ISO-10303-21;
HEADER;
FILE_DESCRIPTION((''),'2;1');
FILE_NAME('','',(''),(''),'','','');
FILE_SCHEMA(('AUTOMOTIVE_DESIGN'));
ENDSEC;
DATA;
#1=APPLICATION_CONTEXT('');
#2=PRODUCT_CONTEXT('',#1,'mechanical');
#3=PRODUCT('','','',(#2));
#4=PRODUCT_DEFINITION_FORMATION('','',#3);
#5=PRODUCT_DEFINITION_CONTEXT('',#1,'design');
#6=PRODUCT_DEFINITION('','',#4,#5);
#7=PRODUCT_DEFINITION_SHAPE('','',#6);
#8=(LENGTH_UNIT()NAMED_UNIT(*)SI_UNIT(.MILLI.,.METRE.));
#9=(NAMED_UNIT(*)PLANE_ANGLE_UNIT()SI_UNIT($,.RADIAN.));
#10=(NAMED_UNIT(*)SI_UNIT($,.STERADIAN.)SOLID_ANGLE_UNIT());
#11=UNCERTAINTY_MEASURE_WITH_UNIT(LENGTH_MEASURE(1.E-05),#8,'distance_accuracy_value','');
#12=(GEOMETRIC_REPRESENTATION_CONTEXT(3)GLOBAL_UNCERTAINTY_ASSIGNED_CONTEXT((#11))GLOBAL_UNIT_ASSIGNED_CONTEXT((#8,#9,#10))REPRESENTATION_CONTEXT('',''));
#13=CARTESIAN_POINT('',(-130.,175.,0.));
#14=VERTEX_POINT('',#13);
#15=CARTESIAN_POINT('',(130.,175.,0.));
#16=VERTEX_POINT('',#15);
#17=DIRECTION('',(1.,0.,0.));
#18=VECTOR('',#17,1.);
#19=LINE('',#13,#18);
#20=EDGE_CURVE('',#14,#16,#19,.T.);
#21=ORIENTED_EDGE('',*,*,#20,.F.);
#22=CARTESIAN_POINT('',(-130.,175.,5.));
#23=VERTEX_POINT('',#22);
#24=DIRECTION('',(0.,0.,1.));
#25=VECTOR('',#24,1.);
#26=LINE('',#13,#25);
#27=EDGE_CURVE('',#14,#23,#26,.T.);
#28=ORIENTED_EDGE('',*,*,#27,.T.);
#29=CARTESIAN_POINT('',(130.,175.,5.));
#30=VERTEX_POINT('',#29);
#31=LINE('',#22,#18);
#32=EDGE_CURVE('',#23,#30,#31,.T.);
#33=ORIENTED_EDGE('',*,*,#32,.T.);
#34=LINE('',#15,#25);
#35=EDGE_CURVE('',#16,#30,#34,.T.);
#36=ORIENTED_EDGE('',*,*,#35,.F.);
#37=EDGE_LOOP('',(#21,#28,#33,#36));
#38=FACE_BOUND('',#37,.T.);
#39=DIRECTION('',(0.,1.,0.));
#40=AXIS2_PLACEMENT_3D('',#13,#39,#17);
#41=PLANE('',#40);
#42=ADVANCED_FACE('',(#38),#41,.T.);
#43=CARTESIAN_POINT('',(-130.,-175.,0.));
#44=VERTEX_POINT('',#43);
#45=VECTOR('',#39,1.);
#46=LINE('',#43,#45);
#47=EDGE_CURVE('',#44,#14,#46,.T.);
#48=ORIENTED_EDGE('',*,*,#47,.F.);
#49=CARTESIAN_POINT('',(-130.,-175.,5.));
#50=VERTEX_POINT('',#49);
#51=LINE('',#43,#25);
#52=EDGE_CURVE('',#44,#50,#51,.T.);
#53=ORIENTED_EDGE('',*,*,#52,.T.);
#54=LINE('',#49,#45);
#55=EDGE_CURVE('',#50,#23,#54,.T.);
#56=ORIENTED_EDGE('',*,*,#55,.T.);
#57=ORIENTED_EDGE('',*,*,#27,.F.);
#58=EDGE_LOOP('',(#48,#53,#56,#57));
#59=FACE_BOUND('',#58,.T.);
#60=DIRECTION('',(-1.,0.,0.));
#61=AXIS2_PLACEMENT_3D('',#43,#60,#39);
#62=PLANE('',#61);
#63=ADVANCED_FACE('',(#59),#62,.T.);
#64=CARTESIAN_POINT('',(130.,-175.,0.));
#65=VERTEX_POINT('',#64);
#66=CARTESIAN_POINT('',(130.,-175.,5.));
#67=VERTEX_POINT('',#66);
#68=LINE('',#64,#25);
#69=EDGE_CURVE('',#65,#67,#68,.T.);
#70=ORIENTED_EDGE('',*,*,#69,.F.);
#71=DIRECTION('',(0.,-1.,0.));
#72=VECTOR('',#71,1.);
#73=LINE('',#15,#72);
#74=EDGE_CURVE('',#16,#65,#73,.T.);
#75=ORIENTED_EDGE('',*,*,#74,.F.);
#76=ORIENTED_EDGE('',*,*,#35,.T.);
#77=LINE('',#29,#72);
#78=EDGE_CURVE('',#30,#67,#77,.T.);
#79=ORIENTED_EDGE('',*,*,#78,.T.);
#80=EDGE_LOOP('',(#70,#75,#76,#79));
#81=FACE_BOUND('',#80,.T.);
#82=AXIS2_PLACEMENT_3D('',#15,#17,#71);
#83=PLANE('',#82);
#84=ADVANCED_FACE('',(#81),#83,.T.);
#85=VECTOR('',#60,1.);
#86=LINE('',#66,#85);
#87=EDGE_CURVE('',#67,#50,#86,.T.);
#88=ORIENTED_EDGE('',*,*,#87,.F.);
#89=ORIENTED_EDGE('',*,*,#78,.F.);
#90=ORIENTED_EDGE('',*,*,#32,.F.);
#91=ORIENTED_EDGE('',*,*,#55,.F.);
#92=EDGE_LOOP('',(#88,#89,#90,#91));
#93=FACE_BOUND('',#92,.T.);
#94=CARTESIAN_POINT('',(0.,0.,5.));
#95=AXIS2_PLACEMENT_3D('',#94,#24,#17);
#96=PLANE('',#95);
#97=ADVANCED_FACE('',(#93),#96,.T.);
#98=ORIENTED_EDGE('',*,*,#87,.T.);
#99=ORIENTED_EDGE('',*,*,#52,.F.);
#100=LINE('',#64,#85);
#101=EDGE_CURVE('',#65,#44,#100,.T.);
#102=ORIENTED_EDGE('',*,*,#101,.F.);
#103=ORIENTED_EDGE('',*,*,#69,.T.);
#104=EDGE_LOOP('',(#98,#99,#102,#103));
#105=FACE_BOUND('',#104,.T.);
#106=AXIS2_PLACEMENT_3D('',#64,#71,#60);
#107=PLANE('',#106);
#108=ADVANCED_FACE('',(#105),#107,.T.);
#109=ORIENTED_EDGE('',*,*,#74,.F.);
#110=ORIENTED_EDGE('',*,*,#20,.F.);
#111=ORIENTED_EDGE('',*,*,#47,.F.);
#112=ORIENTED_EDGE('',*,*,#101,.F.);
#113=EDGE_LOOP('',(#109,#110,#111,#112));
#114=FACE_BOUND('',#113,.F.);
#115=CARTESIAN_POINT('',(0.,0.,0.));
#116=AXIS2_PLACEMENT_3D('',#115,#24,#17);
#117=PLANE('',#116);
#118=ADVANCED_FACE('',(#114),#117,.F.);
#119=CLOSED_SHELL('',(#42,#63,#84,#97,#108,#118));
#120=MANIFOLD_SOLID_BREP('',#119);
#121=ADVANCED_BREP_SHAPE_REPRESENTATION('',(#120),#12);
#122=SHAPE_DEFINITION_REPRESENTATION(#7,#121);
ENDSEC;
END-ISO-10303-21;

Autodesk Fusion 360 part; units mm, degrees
sketch "Skizze1" plane through (0, 0, 0) normal (0, 0, 1) x (1, 0, 0)
  line L0 (-130, 175) -> (130, 175)
  line L1 (130, 175) -> (130, -175)
  line L2 (130, -175) -> (-130, -175)
  line L3 (-130, -175) -> (-130, 175)
  line L4 (-130, 175) -> (130, -175) construction
  line L5 (130, 175) -> (-130, -175) construction
  dimension "d1" = 260
  dimension "d2" = 350
extrude "Extrusion1" add sketch "Skizze1" along normal blind 5
sketch "Skizze2" plane through (0, 0, 5) normal (0, 0, 1) x (-1, 0, 0)
  line L0 (130, 175) -> (-130, 175)
  line L1 (-130, 175) -> (-130, -175)
  line L2 (-130, -175) -> (130, -175)
  line L3 (130, -175) -> (130, 175)
  line L4 (130, -175) -> (130, -165) construction
  line L5 (130, -175) -> (120, -175) construction
  line L6 (120, -175) -> (120, 175) construction
  line L7 (130, -165) -> (-130, -165) construction
  line L8 (-130, -165) -> (-120, -165) construction
  line L9 (-130, 175) -> (-120, 175) construction
  line L10 (-130, 175) -> (-130, 165) construction
  line L11 (-120, 175) -> (-120, -175) construction
  line L12 (-130, 165) -> (130, 165) construction
  dimension "d5" = 10
  dimension "d6" = 10
  dimension "d7" = 350
  dimension "d8" = 260
  dimension "d9" = 10
  dimension "d12" = 10
  dimension "d13" = 10
  dimension "d14" = 350
  dimension "d15" = 260
